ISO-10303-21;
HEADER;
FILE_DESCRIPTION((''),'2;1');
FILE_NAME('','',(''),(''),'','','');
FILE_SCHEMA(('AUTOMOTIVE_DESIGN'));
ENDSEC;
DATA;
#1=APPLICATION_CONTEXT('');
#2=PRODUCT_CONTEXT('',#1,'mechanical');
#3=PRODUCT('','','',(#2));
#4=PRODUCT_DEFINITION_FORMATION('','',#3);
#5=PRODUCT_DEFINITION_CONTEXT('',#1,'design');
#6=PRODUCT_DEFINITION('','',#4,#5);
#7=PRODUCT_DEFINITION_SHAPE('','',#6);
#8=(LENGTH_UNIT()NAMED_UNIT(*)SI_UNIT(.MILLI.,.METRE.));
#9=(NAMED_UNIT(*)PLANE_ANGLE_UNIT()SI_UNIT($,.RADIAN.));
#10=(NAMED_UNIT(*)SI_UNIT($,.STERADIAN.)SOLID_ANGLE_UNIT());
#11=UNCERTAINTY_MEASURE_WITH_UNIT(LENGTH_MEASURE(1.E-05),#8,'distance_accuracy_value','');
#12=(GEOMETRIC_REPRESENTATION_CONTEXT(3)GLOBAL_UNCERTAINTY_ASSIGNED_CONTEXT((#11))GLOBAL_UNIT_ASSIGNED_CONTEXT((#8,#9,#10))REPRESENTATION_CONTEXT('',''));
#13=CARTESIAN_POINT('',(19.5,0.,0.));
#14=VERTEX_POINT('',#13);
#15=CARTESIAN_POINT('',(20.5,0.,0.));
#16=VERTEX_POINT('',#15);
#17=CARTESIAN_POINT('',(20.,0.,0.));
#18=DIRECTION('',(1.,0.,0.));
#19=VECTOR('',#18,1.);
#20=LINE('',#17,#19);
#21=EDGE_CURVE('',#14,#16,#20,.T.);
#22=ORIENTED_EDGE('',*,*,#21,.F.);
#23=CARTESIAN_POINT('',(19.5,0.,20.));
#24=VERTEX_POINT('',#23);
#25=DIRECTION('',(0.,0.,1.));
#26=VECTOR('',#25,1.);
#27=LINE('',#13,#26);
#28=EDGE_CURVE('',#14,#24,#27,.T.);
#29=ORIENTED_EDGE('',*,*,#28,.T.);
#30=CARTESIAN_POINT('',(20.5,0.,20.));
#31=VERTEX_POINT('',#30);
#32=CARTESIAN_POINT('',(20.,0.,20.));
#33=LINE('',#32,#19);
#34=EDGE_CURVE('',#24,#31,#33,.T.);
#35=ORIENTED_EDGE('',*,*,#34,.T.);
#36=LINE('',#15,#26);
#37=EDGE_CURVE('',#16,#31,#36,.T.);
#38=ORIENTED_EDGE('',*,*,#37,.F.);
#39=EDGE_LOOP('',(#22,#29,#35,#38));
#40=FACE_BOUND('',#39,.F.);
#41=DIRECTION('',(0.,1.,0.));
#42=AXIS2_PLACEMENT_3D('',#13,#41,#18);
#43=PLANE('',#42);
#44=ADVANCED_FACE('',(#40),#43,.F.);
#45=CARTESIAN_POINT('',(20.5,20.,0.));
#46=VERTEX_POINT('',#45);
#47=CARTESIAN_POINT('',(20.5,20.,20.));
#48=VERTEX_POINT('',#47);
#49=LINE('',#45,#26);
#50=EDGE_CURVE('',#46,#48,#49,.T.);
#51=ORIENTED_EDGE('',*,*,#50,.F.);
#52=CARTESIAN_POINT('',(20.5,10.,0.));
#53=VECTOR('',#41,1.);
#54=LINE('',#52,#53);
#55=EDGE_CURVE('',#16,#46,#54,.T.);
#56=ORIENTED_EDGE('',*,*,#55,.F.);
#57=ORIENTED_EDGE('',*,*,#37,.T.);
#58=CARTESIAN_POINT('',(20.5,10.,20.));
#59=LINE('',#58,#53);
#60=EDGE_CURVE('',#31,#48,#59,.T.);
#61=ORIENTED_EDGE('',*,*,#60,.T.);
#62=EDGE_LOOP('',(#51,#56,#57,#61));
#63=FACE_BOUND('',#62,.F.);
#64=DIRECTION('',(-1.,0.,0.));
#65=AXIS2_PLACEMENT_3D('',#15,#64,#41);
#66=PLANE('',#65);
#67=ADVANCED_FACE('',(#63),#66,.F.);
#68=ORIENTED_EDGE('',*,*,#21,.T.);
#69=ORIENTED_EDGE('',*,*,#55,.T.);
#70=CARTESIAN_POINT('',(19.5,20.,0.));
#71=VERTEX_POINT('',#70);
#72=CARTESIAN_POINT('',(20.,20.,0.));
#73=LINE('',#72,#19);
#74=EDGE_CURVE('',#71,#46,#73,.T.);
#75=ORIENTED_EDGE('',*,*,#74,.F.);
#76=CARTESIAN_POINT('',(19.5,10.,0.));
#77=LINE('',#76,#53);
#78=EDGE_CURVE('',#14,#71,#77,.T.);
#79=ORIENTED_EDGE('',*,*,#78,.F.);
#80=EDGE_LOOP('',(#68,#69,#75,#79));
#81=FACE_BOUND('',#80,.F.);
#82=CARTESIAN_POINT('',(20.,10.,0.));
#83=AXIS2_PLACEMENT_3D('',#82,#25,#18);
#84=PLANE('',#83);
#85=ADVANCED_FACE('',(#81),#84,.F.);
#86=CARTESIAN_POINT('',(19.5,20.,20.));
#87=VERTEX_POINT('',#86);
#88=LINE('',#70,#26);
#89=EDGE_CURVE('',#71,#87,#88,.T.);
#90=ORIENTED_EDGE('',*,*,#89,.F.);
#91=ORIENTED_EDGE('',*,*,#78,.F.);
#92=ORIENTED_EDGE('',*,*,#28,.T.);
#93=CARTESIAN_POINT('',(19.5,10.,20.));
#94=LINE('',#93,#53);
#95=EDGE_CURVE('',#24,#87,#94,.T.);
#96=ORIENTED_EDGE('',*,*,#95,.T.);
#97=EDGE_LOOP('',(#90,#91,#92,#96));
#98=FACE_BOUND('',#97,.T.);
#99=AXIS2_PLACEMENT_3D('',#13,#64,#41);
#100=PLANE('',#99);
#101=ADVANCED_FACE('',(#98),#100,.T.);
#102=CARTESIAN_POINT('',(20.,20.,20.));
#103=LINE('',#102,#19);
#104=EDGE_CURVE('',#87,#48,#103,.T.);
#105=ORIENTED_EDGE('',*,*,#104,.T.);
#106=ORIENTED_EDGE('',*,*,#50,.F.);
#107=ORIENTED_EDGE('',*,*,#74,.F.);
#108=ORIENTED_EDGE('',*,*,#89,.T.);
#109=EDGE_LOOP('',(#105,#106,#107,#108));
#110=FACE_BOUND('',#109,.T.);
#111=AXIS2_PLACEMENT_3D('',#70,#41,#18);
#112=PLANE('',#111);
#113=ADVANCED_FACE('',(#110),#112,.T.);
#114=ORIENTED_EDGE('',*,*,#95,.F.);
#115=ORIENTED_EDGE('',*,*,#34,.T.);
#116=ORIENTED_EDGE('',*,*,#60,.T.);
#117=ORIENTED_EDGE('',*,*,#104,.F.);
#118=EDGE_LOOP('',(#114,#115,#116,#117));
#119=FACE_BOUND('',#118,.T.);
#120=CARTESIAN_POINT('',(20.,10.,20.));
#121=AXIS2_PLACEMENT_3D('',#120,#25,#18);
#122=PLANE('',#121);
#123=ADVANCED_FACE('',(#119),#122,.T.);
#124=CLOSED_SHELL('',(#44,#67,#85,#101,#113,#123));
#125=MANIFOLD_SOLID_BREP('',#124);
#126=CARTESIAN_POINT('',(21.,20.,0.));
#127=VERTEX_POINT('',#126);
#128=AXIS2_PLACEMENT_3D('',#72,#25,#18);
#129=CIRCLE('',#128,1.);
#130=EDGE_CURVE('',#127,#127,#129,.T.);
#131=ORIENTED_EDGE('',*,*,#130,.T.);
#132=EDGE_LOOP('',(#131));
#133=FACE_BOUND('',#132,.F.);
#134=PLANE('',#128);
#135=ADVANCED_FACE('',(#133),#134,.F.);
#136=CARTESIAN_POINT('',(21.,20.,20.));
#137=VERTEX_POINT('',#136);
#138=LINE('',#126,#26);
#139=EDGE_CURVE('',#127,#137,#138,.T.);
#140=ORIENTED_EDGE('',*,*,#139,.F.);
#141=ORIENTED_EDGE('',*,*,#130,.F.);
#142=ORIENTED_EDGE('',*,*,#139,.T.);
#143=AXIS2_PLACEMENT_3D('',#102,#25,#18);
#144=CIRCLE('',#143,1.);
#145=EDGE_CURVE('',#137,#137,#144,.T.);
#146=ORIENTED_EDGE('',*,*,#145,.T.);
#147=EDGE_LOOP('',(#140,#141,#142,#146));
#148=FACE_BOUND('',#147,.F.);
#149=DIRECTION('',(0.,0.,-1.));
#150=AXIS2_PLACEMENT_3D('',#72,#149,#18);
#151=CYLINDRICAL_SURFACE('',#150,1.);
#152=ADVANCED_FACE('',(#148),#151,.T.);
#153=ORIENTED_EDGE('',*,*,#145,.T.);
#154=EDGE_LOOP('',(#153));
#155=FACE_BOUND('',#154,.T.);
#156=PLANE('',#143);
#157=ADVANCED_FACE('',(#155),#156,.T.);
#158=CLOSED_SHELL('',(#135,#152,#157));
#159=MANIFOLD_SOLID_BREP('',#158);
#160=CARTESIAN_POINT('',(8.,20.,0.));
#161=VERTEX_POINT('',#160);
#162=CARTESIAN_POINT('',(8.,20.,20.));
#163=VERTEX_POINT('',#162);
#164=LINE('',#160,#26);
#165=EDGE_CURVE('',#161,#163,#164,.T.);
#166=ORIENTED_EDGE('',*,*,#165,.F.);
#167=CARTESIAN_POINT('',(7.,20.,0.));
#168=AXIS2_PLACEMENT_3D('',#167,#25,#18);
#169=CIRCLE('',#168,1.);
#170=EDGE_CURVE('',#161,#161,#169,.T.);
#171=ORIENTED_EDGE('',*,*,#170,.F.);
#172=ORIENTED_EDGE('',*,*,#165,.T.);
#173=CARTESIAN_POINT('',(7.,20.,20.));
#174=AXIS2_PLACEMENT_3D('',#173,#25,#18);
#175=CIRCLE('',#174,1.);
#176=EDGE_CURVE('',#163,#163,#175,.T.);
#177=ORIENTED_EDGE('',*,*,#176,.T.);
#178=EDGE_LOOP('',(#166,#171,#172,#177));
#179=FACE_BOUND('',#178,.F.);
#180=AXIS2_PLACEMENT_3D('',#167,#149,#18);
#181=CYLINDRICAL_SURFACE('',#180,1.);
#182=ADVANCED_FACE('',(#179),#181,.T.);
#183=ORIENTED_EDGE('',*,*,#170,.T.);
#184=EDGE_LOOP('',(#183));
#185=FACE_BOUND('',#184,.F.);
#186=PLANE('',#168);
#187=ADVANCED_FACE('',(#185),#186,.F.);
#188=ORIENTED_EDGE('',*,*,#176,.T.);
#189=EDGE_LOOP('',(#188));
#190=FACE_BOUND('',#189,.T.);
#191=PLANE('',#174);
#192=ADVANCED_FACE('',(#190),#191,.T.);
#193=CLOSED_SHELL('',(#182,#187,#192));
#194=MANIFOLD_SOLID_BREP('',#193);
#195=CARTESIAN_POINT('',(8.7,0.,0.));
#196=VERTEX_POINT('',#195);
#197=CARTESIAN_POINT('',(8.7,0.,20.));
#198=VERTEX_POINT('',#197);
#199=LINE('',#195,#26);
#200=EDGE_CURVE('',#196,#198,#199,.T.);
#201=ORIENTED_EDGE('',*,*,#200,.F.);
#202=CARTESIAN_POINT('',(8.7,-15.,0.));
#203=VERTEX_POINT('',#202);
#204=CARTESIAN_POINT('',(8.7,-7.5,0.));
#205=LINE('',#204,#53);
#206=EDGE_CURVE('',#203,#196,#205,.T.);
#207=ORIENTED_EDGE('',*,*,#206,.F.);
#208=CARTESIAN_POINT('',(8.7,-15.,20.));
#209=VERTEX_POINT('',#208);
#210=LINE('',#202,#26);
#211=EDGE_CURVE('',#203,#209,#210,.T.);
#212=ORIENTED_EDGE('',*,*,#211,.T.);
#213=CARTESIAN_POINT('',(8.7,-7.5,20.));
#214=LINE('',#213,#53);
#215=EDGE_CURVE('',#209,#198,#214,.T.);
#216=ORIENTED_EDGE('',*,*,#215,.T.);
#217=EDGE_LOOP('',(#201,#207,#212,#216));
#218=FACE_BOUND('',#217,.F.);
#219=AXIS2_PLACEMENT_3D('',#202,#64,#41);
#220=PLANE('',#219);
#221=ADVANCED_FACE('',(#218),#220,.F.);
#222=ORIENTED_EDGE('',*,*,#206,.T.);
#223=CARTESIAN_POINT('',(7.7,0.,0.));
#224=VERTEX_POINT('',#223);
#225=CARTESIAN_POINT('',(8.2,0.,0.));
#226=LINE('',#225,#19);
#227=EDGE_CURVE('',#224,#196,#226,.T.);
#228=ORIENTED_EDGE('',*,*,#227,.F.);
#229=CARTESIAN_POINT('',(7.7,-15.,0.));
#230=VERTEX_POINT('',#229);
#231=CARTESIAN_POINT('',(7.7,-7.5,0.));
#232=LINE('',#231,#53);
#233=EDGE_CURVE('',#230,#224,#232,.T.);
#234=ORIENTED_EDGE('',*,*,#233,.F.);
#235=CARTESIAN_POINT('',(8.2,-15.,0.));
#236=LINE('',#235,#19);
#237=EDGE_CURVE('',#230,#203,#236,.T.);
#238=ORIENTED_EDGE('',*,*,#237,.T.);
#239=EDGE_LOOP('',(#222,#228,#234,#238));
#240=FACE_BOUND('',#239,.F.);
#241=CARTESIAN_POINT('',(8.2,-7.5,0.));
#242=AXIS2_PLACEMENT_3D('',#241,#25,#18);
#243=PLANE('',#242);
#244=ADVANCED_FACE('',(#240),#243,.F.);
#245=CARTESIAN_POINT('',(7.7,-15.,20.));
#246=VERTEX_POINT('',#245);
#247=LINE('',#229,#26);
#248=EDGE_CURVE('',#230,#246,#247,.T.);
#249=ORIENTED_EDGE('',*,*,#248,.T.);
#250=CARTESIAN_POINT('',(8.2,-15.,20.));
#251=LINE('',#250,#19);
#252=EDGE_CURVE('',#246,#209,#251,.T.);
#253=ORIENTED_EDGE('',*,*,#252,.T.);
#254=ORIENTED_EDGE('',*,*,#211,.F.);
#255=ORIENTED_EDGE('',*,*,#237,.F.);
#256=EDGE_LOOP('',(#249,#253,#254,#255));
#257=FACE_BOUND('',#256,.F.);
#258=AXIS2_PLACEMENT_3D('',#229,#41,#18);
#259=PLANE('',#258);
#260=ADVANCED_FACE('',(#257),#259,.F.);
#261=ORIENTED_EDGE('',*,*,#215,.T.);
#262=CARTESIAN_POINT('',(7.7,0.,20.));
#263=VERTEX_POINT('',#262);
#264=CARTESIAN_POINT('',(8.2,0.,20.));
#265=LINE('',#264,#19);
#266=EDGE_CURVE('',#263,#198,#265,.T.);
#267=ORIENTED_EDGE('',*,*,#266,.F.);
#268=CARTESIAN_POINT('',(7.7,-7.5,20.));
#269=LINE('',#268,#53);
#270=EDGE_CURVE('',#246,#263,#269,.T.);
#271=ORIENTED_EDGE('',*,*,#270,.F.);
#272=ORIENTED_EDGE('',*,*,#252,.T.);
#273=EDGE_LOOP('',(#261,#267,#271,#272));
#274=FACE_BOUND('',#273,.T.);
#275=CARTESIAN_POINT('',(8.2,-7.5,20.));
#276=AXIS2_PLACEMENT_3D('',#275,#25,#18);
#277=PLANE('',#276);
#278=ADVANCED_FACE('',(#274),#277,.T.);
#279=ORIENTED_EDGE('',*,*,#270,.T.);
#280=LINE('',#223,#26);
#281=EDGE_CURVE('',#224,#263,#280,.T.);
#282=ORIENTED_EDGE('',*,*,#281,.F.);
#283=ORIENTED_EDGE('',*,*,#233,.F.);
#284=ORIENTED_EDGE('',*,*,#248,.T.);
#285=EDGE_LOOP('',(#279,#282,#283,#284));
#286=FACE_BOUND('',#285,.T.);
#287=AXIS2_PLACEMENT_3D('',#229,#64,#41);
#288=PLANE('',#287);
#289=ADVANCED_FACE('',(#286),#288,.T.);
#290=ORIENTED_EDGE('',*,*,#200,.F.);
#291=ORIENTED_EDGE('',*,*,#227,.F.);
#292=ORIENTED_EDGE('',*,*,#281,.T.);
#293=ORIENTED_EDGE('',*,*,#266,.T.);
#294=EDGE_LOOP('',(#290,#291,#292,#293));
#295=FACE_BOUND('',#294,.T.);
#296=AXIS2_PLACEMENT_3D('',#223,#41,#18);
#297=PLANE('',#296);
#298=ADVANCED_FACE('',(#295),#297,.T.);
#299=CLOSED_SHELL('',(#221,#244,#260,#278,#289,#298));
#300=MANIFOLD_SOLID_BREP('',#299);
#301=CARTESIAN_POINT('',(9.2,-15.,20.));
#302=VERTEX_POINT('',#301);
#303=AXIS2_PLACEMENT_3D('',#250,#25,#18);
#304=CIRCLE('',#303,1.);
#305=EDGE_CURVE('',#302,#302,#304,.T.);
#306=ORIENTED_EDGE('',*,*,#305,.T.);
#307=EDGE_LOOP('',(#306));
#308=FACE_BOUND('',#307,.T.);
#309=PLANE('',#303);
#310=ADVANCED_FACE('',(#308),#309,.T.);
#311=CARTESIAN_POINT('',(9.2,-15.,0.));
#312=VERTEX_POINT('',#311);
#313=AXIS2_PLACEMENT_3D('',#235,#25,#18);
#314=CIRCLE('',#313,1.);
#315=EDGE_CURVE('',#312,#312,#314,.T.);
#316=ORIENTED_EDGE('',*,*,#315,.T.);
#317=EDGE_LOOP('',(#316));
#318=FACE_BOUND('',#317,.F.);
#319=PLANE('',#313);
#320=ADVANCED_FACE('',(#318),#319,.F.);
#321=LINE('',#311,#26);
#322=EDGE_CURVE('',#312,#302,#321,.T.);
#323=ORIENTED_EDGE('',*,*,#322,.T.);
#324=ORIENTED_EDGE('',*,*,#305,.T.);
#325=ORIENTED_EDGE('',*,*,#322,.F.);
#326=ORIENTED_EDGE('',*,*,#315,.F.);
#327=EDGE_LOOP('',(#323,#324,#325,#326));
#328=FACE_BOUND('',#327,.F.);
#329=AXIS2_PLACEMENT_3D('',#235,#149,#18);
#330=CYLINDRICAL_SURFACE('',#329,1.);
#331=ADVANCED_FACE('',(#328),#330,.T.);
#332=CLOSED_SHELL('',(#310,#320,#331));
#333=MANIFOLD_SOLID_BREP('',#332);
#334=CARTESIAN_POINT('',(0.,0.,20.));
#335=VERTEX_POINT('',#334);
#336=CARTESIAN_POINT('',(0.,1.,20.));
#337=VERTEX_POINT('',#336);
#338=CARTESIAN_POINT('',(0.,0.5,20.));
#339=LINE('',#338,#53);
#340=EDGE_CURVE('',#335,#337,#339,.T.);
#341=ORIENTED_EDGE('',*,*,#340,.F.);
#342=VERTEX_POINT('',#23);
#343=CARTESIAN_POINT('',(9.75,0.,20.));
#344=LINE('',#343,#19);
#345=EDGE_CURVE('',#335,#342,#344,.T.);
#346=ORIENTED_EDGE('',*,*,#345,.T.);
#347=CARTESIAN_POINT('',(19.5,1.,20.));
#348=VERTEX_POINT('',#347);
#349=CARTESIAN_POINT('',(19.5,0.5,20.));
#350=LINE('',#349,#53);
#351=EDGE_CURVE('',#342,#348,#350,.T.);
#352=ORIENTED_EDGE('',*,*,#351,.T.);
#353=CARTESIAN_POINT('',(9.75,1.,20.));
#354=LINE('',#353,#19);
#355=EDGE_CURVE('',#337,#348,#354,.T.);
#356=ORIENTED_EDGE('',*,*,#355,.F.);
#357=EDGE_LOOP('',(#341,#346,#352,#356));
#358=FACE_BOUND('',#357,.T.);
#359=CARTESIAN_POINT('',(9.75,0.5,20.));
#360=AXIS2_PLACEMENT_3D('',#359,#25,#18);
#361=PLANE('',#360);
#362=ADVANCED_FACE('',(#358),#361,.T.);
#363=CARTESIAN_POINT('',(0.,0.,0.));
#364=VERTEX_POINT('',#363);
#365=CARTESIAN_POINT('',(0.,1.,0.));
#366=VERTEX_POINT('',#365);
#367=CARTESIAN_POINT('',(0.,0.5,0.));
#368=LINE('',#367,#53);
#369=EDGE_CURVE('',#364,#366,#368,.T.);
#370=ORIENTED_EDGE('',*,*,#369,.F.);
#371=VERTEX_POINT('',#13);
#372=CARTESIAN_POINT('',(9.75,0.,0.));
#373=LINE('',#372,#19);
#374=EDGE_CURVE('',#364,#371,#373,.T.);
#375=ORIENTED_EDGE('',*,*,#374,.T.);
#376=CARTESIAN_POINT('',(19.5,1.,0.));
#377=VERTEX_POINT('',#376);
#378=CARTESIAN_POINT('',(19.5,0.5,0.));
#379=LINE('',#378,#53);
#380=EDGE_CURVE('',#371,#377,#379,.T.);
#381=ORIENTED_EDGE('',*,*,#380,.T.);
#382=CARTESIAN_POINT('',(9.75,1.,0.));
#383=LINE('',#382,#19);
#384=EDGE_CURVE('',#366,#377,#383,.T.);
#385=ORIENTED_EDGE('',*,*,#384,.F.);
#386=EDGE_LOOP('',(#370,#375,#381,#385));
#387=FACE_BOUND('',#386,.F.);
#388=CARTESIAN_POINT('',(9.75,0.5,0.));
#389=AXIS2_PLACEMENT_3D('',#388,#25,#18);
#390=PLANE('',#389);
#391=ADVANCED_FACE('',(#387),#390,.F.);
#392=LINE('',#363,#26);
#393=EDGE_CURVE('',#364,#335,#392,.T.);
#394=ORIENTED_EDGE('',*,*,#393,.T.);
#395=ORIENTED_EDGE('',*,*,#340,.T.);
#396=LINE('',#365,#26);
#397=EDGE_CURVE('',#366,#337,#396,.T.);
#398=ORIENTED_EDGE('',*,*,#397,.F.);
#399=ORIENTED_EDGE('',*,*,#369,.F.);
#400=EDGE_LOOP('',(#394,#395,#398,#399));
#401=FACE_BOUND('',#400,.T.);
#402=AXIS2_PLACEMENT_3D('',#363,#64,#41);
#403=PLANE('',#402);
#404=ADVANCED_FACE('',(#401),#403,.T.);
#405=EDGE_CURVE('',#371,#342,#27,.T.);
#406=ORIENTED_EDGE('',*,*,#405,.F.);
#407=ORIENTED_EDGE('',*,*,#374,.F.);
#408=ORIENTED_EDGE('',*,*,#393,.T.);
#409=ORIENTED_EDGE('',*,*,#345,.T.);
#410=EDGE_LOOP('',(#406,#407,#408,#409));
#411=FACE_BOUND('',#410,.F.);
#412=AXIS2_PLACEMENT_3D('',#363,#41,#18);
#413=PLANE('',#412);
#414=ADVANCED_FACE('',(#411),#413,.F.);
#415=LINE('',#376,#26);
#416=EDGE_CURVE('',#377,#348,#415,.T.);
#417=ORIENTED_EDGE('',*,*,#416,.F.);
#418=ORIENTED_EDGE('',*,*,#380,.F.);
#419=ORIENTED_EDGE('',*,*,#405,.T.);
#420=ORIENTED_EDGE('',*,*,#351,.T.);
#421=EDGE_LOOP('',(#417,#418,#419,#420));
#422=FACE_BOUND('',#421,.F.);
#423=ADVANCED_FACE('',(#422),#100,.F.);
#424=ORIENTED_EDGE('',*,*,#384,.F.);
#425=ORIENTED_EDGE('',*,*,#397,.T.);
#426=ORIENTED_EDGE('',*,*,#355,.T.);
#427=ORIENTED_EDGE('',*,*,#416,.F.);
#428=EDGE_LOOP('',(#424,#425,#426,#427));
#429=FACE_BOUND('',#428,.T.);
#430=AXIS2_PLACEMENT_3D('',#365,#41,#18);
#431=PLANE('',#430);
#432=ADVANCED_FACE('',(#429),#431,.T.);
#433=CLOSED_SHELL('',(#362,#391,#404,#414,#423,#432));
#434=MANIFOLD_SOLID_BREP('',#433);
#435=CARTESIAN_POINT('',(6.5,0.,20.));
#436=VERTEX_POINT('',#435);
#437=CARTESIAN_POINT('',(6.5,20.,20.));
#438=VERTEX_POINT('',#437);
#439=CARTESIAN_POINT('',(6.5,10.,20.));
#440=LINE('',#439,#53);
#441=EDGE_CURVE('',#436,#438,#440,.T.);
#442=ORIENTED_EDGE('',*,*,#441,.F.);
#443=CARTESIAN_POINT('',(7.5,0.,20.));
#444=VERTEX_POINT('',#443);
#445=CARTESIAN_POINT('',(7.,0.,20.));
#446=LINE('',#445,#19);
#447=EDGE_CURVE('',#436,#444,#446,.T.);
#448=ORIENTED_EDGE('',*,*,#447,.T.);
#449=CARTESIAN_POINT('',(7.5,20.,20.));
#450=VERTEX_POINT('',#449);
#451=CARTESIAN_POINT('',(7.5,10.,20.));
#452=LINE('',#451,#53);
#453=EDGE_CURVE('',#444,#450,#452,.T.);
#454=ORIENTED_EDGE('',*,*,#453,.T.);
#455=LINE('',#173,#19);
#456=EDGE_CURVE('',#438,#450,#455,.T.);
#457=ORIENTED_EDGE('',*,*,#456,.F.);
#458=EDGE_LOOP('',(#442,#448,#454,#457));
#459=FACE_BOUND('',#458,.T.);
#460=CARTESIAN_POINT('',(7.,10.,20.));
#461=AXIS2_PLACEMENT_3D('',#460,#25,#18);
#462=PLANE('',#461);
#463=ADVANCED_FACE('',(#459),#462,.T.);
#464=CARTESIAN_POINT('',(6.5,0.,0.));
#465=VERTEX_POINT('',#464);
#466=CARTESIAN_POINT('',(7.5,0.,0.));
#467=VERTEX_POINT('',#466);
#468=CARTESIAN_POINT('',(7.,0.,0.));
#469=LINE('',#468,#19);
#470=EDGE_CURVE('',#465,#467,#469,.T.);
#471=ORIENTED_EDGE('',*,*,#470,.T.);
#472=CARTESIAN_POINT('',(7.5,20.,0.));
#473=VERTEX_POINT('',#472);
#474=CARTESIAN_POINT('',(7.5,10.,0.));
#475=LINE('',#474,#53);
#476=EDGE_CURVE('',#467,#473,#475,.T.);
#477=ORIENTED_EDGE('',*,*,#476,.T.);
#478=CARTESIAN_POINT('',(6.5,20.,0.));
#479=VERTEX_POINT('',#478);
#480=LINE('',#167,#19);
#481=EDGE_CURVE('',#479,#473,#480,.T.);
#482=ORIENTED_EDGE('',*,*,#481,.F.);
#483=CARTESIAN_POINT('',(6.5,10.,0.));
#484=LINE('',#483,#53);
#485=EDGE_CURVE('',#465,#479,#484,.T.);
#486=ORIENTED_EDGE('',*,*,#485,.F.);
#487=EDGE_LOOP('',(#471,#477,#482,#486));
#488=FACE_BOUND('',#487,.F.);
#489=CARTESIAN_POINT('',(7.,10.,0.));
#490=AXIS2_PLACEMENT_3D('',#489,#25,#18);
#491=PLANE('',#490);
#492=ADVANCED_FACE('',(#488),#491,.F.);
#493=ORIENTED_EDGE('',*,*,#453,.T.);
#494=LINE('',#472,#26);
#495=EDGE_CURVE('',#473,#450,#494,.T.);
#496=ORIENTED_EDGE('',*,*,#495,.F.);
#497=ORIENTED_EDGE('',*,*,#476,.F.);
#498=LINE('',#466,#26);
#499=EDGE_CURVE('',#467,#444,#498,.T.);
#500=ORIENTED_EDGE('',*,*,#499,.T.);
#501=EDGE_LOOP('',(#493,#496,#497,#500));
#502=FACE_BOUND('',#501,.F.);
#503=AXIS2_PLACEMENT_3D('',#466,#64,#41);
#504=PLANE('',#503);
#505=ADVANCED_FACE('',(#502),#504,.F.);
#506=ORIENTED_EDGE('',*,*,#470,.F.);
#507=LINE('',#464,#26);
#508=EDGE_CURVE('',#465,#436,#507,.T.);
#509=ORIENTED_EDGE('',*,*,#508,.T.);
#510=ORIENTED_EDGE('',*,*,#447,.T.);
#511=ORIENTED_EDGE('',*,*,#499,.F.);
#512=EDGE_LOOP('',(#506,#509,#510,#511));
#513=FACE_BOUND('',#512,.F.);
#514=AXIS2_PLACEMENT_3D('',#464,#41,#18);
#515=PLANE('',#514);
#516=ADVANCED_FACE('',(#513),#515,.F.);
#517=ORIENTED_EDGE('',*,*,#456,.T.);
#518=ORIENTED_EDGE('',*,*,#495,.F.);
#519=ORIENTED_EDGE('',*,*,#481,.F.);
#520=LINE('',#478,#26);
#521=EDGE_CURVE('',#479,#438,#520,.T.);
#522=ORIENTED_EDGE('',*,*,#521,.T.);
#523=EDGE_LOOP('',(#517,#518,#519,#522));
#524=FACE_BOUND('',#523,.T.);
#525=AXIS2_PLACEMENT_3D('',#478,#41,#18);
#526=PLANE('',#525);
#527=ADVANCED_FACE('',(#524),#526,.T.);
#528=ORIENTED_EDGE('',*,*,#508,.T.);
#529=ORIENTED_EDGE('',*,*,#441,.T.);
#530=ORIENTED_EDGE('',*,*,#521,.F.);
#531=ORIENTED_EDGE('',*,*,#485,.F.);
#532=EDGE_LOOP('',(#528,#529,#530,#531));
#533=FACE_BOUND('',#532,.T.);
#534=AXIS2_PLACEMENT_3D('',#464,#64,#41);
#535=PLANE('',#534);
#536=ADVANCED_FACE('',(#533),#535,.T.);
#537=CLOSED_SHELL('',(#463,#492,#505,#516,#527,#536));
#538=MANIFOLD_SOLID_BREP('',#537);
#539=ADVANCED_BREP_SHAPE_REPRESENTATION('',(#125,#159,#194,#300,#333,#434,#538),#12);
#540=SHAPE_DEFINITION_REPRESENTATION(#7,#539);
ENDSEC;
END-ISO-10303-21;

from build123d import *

# Parameters (mm, degrees)
BOX_W             = 19.5
BOX_H             = 1
BOX_DEPTH         = 20
BOX001_W          = 1
BOX001_H          = 20
BOX001_DEPTH      = 20
BOX002_W          = 1
BOX002_H          = 20
BOX002_DEPTH      = 20
CYLINDER_R        = 1
CYLINDER_DEPTH    = 20
CYLINDER001_R     = 1
CYLINDER001_DEPTH = 20
BOX003_W          = 1
BOX003_H          = 15
BOX003_DEPTH      = 20
CYLINDER002_R     = 1
CYLINDER002_DEPTH = 20


with BuildPart() as cube:
    # Box → Box (new body)
    with BuildSketch(Plane.XY):
        with Locations((9.75, 0.5)):
            Rectangle(BOX_W, BOX_H)
    extrude(amount=BOX_DEPTH)


with BuildPart() as cube001:
    # Box001 → Box001 (new body)
    with BuildSketch(Plane(origin=(6.5, 0, 0), x_dir=(1, 0, 0), z_dir=(0, 0, 1))):
        with Locations((0.5, 10)):
            Rectangle(BOX001_W, BOX001_H)
    extrude(amount=BOX001_DEPTH)


with BuildPart() as cube002:
    # Box002 → Box002 (new body)
    with BuildSketch(Plane(origin=(19.5, 0, 0), x_dir=(1, 0, 0), z_dir=(0, 0, 1))):
        with Locations((0.5, 10)):
            Rectangle(BOX002_W, BOX002_H)
    extrude(amount=BOX002_DEPTH)


with BuildPart() as cylinder:
    # Cylinder → Cylinder (new body)
    with BuildSketch(Plane(origin=(7, 20, 0), x_dir=(1, 0, 0), z_dir=(0, 0, 1))):
        Circle(CYLINDER_R)
    extrude(amount=CYLINDER_DEPTH)


with BuildPart() as cylinder001:
    # Cylinder001 → Cylinder001 (new body)
    with BuildSketch(Plane(origin=(20, 20, 0), x_dir=(1, 0, 0), z_dir=(0, 0, 1))):
        Circle(CYLINDER001_R)
    extrude(amount=CYLINDER001_DEPTH)


with BuildPart() as cube003:
    # Box003 → Box003 (new body)
    with BuildSketch(Plane(origin=(7.7, -15, 0), x_dir=(1, 0, 0), z_dir=(0, 0, 1))):
        with Locations((0.5, 7.5)):
            Rectangle(BOX003_W, BOX003_H)
    extrude(amount=BOX003_DEPTH)


with BuildPart() as cylinder002:
    # Cylinder002 → Cylinder002 (new body)
    with BuildSketch(Plane(origin=(8.2, -15, 0), x_dir=(1, 0, 0), z_dir=(0, 0, 1))):
        Circle(CYLINDER002_R)
    extrude(amount=CYLINDER002_DEPTH)


solid = Compound([cube.part, cube001.part, cube002.part, cylinder.part, cylinder001.part, cube003.part, cylinder002.part])
